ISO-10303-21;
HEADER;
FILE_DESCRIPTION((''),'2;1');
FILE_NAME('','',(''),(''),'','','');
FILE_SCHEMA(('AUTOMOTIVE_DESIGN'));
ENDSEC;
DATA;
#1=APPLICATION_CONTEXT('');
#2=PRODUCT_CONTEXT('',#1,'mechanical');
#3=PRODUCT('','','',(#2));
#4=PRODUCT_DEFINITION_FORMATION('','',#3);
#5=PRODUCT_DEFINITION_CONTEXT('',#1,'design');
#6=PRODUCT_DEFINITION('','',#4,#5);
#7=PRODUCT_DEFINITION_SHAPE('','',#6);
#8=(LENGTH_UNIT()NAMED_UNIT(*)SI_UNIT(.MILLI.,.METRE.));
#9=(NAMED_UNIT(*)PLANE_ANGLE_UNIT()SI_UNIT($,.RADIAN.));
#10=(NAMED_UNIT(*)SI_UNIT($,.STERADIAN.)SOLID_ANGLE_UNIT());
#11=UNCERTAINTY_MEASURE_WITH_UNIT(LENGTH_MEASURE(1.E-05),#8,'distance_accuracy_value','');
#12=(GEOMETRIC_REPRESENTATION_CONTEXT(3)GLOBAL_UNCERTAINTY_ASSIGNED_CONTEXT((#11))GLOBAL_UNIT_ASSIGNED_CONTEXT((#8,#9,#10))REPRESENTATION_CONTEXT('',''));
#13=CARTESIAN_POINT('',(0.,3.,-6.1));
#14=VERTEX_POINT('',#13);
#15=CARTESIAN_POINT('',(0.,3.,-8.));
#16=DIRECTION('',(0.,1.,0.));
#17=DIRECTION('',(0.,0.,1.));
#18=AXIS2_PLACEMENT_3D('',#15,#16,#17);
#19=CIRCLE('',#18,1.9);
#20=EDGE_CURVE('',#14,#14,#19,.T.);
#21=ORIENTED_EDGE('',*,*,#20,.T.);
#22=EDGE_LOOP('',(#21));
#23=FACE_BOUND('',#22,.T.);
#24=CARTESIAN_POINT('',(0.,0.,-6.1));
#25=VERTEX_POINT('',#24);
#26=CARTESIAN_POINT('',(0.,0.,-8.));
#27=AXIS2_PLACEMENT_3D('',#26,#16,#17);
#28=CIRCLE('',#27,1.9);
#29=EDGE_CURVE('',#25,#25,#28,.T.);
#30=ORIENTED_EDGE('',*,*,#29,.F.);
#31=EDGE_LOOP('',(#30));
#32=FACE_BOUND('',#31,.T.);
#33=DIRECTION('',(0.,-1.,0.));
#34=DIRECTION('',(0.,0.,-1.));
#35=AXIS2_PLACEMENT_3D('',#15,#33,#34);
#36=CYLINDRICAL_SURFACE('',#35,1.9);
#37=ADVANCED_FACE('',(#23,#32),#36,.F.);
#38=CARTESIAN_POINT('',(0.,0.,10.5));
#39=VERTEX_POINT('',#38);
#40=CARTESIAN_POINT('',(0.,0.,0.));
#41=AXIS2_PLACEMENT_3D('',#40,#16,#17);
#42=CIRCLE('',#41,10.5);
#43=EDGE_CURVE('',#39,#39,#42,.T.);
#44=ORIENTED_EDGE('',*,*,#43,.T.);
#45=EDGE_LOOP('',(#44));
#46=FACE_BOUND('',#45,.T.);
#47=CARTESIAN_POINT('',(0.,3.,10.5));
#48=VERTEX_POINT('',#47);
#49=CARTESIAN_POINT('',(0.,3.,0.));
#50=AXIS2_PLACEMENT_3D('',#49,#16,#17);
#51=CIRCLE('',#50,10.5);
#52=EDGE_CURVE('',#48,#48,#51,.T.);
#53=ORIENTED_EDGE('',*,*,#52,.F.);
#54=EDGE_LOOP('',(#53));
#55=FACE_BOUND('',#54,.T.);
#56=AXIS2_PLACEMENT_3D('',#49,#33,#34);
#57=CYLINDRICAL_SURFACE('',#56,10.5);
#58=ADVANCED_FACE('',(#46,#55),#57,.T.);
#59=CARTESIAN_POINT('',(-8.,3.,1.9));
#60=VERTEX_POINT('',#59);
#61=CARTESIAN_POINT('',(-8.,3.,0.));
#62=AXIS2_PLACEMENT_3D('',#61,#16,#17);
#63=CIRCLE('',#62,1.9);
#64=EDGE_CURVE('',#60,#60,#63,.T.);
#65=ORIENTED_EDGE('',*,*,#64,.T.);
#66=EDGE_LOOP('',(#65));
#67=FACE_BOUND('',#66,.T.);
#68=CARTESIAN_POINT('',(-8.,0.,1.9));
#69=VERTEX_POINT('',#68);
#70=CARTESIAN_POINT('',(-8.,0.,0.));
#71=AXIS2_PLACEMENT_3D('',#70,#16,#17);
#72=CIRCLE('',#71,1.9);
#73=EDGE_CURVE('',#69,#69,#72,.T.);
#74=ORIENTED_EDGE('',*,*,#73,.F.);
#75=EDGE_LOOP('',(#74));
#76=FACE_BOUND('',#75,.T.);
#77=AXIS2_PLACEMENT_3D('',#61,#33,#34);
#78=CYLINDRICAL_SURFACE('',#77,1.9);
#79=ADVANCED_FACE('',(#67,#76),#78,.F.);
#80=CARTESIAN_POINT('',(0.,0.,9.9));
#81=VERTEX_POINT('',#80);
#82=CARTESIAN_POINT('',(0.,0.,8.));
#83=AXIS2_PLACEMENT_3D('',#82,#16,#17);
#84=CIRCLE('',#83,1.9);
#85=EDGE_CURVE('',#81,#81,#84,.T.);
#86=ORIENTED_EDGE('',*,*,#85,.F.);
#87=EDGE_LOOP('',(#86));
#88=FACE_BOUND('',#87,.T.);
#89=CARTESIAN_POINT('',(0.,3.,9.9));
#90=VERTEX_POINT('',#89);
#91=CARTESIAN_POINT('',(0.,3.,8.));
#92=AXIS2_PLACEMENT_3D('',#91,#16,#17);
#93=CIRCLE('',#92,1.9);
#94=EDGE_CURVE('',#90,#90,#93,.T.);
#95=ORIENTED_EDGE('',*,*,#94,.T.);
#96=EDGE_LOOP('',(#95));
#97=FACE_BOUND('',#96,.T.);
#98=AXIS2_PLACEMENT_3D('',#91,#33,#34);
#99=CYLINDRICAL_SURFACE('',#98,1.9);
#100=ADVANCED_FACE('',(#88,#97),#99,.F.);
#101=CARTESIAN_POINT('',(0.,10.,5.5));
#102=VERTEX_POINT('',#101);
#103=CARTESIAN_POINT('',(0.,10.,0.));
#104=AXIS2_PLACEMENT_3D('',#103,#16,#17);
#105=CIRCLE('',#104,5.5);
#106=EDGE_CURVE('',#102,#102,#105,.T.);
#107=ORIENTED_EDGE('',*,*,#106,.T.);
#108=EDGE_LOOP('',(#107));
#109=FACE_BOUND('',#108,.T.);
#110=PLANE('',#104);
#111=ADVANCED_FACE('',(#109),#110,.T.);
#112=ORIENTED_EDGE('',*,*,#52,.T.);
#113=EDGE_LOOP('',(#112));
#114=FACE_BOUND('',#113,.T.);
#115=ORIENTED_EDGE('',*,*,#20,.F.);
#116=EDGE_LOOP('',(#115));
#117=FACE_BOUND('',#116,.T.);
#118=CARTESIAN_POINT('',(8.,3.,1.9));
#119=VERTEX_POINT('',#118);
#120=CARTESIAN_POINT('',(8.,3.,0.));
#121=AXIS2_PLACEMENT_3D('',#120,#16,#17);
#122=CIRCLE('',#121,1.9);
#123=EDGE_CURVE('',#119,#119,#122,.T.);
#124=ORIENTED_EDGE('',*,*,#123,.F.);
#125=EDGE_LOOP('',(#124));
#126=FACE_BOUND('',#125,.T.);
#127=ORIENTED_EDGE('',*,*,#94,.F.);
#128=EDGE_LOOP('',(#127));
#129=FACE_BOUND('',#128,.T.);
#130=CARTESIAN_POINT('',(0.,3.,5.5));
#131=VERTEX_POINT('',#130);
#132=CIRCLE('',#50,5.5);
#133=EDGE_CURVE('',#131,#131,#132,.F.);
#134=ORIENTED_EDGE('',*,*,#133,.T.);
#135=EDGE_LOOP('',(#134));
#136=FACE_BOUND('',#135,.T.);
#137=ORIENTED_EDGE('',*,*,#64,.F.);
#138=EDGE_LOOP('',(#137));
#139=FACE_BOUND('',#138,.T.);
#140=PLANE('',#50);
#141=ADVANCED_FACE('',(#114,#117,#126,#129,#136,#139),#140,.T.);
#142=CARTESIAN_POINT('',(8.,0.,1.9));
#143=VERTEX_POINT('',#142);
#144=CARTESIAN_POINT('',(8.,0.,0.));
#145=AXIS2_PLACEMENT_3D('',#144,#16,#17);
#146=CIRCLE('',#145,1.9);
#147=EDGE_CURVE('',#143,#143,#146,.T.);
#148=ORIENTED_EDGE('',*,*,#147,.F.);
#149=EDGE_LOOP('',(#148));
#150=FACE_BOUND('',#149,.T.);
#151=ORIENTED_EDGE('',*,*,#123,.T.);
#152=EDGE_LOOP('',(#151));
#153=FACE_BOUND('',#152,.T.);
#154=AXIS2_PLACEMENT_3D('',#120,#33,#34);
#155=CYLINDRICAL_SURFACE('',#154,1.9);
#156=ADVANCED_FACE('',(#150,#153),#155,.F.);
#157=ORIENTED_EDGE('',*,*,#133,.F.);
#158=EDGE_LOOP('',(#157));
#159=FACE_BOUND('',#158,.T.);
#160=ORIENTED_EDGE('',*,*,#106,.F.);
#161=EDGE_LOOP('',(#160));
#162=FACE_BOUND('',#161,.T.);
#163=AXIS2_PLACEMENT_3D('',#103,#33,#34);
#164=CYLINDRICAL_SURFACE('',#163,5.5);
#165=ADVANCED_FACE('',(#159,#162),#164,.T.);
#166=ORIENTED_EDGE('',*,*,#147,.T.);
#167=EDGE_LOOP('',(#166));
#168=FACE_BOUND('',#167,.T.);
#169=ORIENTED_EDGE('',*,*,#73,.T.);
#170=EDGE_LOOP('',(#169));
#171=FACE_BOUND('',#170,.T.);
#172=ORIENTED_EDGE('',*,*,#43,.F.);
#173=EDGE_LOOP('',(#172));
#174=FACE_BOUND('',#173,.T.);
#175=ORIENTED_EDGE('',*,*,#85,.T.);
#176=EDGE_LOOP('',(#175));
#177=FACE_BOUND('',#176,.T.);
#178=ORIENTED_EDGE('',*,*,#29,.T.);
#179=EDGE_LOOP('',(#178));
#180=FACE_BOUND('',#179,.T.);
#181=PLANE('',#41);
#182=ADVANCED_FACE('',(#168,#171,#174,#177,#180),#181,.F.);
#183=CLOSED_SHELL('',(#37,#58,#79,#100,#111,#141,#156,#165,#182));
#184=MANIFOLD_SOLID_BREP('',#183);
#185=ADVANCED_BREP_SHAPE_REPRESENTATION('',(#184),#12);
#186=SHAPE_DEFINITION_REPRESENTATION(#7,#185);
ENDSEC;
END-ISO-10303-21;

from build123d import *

# Parameters (mm, degrees)
SKETCH_1_R      = 10.5
SKETCH_1_R_2    = 1.9
EXTRUDE_1_DEPTH = 3
SKETCH_1_3_R    = 5.5
EXTRUDE_2_DEPTH = 10


with BuildPart() as part:
    # 草图1 → 凸台-拉伸1 (new body)
    with BuildSketch(Plane(origin=(0, 0, 0), x_dir=(1, 0, 0), z_dir=(0, 1, 0))):
        Circle(SKETCH_1_R)
        with Locations((0, -8)):
            Circle(SKETCH_1_R_2, mode=Mode.SUBTRACT)
        with Locations((-8, 0)):
            Circle(SKETCH_1_R_2, mode=Mode.SUBTRACT)
        with Locations((8, 0)):
            Circle(SKETCH_1_R_2, mode=Mode.SUBTRACT)
        with Locations((0, 8)):
            Circle(SKETCH_1_R_2, mode=Mode.SUBTRACT)
    extrude(amount=EXTRUDE_1_DEPTH)

    # 草图1<3> → 凸台-拉伸2 (add)
    with BuildSketch(Plane(origin=(0, 0, 0), x_dir=(1, 0, 0), z_dir=(0, 1, 0))):
        Circle(SKETCH_1_3_R)
    extrude(amount=EXTRUDE_2_DEPTH)


solid = part.part
